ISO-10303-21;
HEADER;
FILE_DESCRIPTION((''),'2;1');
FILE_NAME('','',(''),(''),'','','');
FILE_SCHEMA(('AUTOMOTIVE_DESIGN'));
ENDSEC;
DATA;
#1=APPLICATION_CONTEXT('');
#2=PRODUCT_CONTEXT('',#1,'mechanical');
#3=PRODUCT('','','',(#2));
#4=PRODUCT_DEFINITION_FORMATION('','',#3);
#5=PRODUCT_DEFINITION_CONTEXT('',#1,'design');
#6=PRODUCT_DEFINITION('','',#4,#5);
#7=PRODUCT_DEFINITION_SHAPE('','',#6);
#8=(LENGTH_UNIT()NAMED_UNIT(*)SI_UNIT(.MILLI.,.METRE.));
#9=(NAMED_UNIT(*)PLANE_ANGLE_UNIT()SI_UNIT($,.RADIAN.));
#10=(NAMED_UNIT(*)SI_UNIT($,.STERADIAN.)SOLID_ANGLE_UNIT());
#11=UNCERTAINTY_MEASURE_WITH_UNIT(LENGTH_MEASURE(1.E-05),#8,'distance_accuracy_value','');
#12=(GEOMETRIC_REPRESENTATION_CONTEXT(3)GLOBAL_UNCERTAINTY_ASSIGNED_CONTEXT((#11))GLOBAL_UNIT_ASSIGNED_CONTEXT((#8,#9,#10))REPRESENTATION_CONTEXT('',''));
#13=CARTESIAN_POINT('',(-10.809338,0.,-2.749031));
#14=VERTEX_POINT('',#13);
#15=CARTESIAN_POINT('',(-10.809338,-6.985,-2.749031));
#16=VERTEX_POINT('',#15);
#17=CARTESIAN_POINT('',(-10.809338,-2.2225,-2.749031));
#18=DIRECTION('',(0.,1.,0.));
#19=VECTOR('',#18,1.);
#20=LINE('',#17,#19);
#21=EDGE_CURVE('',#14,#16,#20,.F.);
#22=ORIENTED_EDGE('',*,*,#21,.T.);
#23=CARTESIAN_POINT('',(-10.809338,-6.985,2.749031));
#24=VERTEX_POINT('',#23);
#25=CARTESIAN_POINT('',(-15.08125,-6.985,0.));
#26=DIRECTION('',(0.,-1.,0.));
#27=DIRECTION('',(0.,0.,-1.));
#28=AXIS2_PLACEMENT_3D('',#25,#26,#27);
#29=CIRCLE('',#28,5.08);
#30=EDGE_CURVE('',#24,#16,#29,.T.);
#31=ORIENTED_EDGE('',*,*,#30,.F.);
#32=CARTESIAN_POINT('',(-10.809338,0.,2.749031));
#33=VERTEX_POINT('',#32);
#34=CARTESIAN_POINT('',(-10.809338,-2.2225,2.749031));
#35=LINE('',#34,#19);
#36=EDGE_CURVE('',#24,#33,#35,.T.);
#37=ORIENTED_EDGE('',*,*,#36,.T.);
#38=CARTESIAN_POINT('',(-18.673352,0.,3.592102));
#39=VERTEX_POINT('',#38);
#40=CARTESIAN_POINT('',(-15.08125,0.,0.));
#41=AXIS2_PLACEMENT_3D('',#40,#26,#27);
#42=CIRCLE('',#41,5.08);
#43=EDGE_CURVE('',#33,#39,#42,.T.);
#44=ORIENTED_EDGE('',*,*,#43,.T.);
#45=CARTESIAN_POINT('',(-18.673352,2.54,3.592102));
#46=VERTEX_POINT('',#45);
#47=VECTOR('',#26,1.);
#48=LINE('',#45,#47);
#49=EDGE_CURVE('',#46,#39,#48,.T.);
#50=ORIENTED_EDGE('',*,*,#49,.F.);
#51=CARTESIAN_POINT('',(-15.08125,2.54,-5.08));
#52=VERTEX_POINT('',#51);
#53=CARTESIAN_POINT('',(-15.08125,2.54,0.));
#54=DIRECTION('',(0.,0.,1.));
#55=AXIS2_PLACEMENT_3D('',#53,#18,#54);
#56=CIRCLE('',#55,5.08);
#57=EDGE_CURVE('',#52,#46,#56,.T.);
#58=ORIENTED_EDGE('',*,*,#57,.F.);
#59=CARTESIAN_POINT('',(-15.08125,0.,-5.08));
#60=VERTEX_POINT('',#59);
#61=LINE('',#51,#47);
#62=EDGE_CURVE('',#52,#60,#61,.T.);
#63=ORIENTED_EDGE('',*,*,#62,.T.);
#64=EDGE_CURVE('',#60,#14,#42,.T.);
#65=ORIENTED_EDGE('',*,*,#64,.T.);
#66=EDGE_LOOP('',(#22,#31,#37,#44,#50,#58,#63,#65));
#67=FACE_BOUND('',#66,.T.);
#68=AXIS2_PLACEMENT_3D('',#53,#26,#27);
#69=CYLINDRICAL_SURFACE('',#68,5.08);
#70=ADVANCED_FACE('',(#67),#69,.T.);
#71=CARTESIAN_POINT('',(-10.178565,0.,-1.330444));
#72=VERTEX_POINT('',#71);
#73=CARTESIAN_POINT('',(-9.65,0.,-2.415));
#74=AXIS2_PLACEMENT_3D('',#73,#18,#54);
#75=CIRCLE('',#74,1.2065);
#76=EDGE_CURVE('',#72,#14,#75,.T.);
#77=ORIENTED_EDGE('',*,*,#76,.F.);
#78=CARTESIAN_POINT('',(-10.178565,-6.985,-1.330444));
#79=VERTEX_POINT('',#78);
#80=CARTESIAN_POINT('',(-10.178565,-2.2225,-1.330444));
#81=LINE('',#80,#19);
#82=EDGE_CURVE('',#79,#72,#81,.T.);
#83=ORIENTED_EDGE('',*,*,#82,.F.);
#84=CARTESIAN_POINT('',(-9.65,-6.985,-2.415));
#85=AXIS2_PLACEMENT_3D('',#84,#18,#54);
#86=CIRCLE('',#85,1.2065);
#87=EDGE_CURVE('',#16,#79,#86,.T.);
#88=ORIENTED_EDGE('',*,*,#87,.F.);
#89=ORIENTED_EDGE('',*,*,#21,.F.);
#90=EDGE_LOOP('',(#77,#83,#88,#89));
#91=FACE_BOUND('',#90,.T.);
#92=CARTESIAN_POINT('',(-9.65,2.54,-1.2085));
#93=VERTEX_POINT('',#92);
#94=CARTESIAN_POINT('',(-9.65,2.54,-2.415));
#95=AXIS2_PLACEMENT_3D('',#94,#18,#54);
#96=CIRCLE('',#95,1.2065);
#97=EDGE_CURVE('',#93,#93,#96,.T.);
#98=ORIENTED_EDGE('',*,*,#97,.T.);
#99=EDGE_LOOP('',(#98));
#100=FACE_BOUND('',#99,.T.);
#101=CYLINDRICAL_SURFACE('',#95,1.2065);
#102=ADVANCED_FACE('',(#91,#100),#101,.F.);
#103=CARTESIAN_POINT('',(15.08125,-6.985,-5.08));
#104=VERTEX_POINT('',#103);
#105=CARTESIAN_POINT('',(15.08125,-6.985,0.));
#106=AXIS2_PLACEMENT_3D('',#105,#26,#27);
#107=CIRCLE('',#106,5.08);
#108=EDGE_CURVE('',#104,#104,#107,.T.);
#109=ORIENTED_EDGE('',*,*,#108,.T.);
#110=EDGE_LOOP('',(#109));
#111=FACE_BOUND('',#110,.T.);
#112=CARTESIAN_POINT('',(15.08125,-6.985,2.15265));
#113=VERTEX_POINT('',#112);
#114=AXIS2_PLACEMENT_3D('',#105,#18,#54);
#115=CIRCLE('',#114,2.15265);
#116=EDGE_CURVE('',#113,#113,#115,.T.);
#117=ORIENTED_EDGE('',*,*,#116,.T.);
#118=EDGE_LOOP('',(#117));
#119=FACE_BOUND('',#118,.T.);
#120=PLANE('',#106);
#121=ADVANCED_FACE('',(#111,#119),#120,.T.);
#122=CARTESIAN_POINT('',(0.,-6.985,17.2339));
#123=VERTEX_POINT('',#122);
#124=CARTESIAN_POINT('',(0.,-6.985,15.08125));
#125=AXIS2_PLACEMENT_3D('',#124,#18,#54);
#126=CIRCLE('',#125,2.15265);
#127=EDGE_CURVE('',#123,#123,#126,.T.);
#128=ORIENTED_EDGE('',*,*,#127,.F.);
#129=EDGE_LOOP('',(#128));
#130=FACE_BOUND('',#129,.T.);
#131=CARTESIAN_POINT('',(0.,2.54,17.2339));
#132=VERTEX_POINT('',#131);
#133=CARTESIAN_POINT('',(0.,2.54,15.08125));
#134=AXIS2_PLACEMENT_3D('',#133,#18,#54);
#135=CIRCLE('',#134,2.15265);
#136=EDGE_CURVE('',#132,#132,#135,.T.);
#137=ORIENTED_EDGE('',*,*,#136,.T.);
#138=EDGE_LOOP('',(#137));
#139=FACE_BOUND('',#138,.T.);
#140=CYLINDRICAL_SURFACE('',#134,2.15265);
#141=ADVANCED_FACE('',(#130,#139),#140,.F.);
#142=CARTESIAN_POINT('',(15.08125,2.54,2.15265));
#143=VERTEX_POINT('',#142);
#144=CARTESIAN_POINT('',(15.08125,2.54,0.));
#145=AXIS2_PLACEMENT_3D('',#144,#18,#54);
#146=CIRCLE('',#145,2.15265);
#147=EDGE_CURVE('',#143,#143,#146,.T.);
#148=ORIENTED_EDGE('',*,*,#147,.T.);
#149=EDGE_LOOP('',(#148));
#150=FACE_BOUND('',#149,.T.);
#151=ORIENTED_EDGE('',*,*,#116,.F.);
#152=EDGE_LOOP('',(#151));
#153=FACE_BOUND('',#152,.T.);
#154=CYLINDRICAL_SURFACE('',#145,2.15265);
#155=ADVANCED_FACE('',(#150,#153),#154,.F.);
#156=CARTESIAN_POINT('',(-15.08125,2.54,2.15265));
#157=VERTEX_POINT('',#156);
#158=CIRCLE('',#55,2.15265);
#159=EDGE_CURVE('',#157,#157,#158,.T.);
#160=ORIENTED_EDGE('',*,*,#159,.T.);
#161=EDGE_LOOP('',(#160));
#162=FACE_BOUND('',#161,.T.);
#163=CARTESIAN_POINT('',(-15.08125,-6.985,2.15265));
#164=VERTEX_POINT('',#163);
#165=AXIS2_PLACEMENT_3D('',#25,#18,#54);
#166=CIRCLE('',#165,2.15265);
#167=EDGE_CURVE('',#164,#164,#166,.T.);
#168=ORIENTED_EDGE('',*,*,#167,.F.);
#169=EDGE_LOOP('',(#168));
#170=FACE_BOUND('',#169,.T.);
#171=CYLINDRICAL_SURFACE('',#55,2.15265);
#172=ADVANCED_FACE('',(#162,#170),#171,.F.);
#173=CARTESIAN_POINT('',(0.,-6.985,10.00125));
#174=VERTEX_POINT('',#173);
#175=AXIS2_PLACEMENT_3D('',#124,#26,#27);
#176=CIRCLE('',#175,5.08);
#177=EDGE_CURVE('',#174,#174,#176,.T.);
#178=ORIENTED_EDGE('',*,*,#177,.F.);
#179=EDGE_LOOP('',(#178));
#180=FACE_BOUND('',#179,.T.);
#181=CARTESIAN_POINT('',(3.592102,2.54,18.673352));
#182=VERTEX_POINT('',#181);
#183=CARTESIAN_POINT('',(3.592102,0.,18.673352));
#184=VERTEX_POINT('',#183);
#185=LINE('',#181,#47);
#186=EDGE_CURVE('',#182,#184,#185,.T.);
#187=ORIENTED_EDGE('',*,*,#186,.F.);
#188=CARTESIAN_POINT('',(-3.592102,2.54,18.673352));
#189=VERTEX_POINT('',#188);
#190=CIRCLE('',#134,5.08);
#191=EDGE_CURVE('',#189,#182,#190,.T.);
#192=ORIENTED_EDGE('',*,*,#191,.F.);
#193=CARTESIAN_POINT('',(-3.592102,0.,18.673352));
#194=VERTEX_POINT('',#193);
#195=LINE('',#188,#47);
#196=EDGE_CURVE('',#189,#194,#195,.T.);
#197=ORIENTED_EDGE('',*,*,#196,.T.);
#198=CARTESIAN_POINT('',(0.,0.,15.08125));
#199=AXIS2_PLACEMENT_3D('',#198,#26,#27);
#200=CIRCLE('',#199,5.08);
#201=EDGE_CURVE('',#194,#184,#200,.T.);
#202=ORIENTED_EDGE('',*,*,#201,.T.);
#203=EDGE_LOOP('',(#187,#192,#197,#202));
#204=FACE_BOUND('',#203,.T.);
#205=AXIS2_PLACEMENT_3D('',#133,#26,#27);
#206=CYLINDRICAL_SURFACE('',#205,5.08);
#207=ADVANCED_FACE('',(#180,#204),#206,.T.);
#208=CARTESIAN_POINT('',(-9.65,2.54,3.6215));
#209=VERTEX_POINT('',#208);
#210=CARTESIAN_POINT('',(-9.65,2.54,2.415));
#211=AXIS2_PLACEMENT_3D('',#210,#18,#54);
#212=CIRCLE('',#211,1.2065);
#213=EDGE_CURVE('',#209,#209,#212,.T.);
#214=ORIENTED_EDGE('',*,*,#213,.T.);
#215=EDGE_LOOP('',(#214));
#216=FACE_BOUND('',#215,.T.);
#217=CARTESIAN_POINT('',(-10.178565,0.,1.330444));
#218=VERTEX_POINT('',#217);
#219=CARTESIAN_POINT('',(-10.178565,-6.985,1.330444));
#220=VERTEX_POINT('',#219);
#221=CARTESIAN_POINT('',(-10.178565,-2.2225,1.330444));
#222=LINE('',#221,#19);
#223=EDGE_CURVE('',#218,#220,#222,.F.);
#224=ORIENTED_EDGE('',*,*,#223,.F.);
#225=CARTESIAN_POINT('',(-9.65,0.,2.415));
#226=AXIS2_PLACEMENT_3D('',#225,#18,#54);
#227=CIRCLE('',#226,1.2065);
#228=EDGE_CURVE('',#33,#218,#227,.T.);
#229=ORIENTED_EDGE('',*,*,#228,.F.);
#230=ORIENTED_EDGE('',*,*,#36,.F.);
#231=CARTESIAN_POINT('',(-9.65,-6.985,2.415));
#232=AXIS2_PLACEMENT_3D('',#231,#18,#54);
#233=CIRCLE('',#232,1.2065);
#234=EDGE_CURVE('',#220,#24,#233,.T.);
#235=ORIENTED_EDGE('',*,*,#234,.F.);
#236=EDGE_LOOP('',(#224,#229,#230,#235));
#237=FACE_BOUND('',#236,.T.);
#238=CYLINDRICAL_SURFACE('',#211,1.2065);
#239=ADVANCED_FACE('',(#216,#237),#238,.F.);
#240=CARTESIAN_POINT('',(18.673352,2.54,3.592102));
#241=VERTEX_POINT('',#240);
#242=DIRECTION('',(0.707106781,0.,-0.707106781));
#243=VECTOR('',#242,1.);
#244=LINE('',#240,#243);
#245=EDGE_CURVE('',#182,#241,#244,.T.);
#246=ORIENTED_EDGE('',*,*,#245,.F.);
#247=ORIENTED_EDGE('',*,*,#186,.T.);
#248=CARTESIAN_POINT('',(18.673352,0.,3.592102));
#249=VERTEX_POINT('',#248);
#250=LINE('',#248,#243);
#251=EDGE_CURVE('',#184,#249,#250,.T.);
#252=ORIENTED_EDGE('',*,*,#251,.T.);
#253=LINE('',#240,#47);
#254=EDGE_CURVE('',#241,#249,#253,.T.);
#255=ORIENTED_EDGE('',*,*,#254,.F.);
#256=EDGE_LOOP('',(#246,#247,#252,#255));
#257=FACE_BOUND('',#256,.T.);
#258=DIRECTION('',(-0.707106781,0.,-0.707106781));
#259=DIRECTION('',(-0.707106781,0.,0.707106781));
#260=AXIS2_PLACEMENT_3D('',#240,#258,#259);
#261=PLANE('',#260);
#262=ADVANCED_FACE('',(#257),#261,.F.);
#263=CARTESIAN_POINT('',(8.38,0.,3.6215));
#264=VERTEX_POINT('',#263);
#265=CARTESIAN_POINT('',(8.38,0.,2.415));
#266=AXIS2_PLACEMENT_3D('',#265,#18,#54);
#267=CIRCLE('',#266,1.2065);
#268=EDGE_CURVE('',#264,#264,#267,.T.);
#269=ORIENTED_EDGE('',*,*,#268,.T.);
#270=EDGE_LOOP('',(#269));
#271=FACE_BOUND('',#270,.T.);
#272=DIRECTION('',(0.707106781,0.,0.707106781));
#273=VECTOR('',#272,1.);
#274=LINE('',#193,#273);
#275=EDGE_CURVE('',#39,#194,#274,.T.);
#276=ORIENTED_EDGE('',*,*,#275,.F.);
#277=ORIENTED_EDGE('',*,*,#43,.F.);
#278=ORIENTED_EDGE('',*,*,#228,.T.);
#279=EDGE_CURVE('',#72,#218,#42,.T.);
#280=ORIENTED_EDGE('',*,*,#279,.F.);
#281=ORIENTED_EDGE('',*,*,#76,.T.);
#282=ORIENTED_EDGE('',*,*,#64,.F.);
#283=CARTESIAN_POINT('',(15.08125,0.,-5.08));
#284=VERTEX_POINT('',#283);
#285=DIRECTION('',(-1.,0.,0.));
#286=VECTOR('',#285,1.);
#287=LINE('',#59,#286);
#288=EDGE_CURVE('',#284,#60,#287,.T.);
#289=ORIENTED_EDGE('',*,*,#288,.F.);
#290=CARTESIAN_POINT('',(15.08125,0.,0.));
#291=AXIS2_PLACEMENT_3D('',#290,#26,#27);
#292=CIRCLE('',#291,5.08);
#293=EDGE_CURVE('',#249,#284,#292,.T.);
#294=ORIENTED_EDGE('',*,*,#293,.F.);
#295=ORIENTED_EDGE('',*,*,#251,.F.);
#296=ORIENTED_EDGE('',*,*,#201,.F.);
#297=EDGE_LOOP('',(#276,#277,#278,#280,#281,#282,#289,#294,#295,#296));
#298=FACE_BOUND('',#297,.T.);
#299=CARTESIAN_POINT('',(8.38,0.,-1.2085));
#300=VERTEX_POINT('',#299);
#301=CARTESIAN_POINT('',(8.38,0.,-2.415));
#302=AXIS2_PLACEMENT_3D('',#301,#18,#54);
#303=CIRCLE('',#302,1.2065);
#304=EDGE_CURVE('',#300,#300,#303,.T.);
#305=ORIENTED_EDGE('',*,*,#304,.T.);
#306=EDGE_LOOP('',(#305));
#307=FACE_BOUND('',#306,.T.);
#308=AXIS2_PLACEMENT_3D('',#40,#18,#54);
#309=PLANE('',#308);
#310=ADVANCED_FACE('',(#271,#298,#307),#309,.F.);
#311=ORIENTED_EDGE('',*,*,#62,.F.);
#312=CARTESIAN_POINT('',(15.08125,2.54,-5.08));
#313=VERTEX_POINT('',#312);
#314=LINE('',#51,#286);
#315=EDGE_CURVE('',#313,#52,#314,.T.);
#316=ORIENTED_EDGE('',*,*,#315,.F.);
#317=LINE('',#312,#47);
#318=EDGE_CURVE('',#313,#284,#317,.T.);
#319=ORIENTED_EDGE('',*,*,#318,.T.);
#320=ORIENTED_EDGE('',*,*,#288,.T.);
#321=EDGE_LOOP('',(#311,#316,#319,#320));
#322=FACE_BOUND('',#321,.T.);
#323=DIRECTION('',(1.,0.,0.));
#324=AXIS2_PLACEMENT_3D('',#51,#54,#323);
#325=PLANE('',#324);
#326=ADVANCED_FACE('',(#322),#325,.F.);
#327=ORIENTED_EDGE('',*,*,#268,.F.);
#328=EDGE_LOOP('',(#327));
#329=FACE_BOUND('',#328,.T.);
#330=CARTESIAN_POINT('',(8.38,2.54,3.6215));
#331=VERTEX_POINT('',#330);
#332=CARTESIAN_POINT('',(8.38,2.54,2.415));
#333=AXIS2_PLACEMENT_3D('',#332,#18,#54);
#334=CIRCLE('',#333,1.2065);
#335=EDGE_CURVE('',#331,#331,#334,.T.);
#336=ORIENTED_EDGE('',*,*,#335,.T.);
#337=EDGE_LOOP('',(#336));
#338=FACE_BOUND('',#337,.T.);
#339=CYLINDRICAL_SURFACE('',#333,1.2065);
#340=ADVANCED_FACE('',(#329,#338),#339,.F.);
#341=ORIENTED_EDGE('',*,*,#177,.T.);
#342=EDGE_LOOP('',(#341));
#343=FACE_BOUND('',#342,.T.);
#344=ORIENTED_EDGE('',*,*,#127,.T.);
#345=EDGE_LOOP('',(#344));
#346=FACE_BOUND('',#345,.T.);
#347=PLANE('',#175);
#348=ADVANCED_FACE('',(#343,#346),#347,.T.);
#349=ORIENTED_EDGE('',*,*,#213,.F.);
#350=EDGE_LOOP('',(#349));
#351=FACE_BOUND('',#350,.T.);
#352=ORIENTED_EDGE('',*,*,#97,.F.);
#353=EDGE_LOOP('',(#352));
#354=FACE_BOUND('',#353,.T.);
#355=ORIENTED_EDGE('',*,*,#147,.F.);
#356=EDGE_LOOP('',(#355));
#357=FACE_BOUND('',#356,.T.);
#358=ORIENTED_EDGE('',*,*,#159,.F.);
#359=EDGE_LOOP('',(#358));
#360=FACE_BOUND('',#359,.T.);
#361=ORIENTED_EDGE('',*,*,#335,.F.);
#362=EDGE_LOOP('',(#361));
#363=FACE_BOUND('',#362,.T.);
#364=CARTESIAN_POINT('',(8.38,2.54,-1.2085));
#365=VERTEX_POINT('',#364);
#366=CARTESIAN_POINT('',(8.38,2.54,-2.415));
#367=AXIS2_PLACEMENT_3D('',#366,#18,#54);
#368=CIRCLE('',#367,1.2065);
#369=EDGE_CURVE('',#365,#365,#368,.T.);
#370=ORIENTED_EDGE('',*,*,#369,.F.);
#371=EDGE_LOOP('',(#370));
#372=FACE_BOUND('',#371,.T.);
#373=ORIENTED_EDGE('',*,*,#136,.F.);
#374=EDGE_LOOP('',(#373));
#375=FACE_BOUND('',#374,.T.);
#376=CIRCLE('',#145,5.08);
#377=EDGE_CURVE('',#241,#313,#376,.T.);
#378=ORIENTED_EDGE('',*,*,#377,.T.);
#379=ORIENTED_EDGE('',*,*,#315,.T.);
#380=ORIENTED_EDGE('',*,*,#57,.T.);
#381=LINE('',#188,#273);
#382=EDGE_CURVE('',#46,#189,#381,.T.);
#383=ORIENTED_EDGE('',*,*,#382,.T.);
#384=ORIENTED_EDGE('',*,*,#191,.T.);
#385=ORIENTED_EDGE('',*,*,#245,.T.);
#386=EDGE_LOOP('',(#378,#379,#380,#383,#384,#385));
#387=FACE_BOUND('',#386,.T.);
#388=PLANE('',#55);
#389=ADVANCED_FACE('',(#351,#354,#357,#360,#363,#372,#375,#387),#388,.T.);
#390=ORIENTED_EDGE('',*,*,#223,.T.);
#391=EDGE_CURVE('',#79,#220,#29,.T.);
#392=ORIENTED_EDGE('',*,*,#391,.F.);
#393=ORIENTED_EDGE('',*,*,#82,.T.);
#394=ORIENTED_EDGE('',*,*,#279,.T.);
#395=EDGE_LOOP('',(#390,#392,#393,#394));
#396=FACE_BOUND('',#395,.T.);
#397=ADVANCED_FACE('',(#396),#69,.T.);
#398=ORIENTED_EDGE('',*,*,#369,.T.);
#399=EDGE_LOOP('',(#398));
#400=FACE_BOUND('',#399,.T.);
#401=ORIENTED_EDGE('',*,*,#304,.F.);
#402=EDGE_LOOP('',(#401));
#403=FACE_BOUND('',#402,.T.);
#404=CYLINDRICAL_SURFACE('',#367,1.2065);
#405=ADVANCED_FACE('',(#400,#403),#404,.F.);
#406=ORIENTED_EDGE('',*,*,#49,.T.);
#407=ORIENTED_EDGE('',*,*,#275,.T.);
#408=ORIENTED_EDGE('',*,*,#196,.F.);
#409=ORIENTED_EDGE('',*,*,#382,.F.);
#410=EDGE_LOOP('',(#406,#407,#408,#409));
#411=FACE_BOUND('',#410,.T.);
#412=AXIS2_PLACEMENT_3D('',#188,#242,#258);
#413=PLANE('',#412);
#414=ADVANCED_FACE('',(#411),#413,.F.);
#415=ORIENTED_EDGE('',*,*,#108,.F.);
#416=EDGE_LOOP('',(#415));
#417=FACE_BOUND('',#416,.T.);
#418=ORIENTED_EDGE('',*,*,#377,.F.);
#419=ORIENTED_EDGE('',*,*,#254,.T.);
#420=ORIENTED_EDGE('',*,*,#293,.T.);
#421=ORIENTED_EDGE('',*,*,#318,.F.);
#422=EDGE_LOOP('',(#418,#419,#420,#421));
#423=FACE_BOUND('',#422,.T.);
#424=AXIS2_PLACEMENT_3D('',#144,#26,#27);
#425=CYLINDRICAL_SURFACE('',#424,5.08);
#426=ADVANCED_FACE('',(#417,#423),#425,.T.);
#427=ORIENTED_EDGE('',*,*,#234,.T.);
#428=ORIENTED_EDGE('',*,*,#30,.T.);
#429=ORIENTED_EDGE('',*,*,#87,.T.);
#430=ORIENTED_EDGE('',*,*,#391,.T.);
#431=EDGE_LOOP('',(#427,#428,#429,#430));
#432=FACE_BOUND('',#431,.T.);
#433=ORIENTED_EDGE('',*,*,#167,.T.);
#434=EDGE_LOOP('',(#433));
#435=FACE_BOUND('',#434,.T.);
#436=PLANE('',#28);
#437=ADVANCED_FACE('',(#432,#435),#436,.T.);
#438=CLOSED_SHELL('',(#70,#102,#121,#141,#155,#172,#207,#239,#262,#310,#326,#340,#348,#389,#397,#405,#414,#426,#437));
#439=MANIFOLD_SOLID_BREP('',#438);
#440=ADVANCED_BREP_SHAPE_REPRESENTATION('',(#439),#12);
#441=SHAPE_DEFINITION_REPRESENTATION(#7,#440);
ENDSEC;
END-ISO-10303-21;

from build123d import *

# Parameters (mm, degrees)
BOSS_EXTRUDE1_DEPTH       = 2.54
SKETCH2_R                 = 5.08
BOSS_EXTRUDE2_DEPTH       = 6.985
F_6_CLEARANCE_HOLE1_D     = 4.3053
TAP_DRILL_FOR_4_40_TAP1_D = 2.413


with BuildPart() as part:
    # Sketch1 → Boss-Extrude1 (new body)
    with BuildSketch(Plane(origin=(0, 0, 0), x_dir=(1, 0, 0), z_dir=(0, 1, 0))):
        with BuildLine():
            Line((-15.08125, 5.08), (15.08125, 5.08))
            ThreePointArc((15.08125, 5.08), (19.774558025, 1.944031836), (18.673352448, -3.592102448))
            Line((18.673352448, -3.592102448), (3.592102448, -18.673352448))
            ThreePointArc((3.592102448, -18.673352448), (0, -20.16125), (-3.592102448, -18.673352448))
            Line((-3.592102448, -18.673352448), (-18.673352448, -3.592102448))
            ThreePointArc((-18.673352448, -3.592102448), (-19.774558025, 1.944031836), (-15.08125, 5.08))
        make_face()
    extrude(amount=BOSS_EXTRUDE1_DEPTH)

    # Sketch2 → Boss-Extrude2 (add)
    with BuildSketch(Plane.XZ):
        with Locations((-15.08125, 0)):
            Circle(SKETCH2_R)
        with Locations((0, 15.08125)):
            Circle(SKETCH2_R)
        with Locations((15.08125, 0)):
            Circle(SKETCH2_R)
    extrude(amount=BOSS_EXTRUDE2_DEPTH)

    # #6 Clearance Hole1 (through all)
    with Locations(Plane(origin=(0, 2.54, 0), x_dir=(1, 0, 0), z_dir=(0, 1, 0))):
        with Locations((-15.08125, 0), (0, -15.08125), (15.08125, 0)):
            Hole(F_6_CLEARANCE_HOLE1_D / 2)

    # Tap Drill for #4-40 Tap1 (through all)
    with Locations(Plane(origin=(0, 2.54, 0), x_dir=(1, 0, 0), z_dir=(0, 1, 0))):
        with Locations((8.380000004, -2.414999996), (8.380000004, 2.414999996), (-9.650000004, -2.414999996), (-9.650000004, 2.414999996)):
            Hole(TAP_DRILL_FOR_4_40_TAP1_D / 2)


solid = part.part
